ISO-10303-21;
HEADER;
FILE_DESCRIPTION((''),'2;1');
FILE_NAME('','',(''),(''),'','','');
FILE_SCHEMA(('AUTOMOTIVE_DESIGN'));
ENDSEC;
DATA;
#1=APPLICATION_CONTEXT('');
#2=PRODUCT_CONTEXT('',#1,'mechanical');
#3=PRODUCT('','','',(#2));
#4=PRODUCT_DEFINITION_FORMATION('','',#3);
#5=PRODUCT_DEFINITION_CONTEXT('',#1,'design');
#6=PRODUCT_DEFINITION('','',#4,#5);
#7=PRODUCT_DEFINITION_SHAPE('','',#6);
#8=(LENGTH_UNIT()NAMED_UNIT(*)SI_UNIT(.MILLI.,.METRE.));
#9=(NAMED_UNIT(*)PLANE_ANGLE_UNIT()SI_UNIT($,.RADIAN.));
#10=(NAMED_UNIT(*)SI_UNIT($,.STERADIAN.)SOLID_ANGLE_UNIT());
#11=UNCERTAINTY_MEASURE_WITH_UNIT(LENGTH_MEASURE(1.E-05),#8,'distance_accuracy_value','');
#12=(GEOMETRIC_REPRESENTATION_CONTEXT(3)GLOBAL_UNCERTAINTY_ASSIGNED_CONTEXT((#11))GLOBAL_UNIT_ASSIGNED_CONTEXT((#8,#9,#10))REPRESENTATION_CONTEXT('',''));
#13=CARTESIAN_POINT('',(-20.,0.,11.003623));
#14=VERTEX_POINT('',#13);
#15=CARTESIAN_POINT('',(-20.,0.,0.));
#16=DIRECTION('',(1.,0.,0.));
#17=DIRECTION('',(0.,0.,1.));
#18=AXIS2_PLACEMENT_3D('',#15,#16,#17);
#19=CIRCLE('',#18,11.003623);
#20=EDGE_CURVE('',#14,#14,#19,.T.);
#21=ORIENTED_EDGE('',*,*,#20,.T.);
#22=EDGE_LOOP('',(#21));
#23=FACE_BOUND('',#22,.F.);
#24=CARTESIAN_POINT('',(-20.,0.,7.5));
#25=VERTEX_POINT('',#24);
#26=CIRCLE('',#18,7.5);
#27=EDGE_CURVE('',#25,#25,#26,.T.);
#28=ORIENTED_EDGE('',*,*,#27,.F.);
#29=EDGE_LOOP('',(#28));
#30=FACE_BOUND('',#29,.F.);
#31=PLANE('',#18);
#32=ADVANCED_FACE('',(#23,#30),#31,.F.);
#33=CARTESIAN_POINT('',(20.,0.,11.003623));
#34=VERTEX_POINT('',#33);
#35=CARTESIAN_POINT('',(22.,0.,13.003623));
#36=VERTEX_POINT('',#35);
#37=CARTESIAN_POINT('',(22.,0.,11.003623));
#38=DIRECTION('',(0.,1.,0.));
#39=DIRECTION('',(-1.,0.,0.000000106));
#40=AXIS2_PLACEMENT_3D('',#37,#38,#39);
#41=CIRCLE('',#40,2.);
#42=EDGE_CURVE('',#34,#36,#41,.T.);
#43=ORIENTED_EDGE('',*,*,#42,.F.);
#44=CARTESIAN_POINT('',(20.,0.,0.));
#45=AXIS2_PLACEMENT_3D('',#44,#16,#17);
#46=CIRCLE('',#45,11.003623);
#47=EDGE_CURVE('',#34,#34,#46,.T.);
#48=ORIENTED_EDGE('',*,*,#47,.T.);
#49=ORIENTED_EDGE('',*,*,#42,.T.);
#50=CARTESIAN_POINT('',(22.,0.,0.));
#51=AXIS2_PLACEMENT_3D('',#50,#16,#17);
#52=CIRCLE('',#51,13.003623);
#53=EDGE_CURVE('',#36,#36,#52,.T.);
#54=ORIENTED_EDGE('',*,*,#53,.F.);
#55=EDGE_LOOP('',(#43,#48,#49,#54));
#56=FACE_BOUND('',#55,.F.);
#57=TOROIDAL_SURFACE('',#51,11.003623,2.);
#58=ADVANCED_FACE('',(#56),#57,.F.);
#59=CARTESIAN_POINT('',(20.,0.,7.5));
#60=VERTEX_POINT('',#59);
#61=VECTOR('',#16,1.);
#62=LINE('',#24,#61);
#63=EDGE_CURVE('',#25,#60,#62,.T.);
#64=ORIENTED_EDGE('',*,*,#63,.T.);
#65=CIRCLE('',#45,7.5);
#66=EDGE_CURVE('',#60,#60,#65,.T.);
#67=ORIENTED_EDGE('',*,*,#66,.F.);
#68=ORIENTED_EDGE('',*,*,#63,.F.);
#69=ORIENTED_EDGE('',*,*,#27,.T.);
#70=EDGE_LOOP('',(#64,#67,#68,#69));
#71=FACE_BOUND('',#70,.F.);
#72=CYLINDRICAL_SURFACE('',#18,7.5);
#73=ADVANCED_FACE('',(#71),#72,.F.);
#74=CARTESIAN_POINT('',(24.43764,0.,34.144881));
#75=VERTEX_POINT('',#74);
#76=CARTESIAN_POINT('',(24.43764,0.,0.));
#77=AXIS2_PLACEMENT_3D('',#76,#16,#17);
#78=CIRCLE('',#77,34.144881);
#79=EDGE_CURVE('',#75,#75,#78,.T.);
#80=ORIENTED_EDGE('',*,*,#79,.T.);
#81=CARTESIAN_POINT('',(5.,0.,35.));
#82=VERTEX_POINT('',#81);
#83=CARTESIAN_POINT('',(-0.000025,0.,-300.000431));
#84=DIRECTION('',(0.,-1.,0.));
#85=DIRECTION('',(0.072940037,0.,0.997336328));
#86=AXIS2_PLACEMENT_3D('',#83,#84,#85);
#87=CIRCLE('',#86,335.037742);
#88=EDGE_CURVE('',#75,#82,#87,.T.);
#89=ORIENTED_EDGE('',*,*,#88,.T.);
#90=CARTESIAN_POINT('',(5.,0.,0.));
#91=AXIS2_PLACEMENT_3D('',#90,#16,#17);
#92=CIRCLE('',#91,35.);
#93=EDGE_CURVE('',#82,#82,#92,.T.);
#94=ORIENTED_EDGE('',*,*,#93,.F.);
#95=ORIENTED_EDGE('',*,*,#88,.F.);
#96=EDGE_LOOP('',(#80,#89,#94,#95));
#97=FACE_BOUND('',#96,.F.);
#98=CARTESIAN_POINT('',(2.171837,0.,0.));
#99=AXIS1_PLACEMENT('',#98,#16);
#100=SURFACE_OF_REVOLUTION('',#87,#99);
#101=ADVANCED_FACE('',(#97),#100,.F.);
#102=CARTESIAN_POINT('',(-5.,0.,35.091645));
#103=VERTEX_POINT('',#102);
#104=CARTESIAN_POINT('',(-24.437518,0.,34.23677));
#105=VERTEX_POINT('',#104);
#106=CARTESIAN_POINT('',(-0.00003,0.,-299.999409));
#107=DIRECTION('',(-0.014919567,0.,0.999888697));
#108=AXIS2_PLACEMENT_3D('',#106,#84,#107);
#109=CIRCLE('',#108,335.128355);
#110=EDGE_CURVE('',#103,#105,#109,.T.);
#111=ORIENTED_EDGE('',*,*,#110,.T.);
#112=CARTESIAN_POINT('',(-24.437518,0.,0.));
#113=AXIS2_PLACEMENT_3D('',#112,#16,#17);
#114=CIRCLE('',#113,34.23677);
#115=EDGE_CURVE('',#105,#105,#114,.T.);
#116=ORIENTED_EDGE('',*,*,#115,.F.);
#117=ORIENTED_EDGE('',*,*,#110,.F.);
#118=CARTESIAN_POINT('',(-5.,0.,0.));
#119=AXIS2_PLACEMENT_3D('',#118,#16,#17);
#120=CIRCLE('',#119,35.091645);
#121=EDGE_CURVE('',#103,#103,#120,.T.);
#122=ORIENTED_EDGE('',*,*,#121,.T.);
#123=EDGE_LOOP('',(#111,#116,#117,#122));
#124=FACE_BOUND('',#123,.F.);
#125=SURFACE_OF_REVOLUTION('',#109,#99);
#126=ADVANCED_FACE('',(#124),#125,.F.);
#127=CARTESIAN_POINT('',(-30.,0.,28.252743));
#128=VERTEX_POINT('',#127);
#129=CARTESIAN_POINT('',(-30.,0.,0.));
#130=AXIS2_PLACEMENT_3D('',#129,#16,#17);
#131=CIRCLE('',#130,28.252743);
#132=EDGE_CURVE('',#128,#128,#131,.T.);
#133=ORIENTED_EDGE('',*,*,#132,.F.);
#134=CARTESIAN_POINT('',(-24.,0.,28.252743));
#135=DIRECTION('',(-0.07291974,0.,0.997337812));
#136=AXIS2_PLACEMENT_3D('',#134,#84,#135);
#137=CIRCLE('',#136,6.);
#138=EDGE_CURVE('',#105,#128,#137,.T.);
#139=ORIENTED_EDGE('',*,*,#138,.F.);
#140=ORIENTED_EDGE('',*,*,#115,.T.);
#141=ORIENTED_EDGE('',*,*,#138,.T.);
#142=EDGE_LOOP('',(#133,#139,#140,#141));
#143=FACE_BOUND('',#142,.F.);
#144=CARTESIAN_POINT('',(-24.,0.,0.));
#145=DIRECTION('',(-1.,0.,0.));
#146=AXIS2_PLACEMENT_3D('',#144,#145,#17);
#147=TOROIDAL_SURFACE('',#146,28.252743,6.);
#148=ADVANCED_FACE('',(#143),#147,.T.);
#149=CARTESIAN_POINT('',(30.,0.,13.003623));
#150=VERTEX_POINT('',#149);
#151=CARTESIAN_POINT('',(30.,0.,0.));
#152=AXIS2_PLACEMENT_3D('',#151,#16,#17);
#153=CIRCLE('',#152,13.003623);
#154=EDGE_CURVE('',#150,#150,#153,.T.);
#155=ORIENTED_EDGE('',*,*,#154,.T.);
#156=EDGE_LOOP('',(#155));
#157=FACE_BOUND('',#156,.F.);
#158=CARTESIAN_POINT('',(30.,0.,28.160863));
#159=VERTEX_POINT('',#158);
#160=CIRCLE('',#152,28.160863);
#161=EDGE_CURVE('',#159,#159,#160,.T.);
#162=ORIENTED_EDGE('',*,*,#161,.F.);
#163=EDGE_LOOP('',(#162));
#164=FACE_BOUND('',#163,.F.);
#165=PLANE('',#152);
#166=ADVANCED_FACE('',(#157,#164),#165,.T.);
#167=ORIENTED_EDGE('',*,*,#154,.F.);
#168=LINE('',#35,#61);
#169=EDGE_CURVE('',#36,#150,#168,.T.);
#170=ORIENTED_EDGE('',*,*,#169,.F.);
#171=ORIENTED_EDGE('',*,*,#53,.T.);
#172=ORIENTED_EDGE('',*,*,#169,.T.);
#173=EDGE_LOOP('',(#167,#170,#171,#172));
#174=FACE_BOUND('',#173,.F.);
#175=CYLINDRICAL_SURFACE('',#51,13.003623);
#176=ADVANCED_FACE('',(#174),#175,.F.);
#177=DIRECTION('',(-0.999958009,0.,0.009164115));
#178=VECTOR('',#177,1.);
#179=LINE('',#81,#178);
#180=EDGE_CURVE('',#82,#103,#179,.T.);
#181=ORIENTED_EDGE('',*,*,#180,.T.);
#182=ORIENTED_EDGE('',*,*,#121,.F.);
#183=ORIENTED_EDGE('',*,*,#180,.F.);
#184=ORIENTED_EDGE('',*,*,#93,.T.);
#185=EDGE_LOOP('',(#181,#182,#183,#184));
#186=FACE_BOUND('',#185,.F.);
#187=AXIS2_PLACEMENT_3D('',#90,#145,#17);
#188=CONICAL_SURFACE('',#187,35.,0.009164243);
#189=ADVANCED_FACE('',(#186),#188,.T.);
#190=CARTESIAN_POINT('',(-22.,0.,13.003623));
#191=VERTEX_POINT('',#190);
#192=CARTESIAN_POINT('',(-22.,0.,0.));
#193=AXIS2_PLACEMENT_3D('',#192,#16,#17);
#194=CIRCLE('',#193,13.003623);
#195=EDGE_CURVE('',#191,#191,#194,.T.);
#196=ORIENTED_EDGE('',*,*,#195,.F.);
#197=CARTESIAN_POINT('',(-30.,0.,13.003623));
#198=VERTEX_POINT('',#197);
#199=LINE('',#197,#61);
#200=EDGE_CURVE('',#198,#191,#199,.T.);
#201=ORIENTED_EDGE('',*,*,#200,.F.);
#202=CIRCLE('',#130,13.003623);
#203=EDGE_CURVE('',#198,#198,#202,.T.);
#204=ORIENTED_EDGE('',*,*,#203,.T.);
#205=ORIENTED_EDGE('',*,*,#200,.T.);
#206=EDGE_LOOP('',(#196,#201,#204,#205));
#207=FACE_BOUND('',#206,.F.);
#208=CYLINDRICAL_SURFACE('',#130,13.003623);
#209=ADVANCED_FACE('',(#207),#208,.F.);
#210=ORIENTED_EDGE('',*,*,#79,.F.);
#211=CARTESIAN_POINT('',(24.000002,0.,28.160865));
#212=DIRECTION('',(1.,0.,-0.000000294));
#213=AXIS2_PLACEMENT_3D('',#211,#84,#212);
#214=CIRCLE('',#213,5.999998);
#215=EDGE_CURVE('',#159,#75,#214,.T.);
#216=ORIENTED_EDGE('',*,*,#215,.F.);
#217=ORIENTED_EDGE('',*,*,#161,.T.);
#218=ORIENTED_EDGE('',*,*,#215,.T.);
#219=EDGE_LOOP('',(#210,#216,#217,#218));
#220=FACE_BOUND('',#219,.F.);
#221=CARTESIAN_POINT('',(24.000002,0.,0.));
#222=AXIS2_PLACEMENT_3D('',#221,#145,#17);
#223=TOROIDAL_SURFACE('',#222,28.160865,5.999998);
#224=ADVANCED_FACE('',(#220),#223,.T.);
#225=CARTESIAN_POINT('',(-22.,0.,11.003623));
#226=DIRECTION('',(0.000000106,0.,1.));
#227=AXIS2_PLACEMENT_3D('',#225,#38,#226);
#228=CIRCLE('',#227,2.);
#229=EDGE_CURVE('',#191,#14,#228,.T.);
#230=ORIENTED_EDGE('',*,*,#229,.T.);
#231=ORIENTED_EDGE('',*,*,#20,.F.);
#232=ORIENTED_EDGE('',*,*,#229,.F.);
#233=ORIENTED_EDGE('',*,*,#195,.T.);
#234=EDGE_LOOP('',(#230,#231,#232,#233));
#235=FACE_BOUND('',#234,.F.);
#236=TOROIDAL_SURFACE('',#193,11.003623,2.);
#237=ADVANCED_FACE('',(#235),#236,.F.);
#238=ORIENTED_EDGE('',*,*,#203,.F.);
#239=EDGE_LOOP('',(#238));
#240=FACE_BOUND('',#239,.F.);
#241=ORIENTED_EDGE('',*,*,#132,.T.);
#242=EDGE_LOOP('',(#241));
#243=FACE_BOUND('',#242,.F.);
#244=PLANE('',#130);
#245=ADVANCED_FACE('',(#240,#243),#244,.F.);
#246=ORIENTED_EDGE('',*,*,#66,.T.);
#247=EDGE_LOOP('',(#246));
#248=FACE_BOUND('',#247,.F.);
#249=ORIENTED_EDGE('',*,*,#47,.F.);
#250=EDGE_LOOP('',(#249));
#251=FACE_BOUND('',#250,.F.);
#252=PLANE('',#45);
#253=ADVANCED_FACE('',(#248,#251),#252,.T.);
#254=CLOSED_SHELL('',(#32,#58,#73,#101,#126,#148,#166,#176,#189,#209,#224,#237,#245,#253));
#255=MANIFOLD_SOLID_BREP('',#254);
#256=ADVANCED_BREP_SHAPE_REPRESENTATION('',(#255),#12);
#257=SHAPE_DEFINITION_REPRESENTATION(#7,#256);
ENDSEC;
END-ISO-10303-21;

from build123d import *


with BuildPart() as f1:
    # F0 (on Front) → F1 (revolve)
    with BuildSketch(Plane.XZ):
        with BuildLine():
            Line((5, 35), (-5, 35.091645))
            ThreePointArc((-5, 35.091645), (-14.724964, 34.805296), (-24.437518, 34.23677))
            ThreePointArc((-24.437518, 34.23677), (-28.394605, 32.33777), (-30, 28.252743))
            Line((-30, 28.252743), (-30, 13.003623))
            Line((-30, 13.003623), (-22, 13.003623))
            ThreePointArc((-22, 13.003623), (-20.585786, 12.417836), (-20, 11.003623))
            Line((-20, 11.003623), (-20, 7.5))
            Line((-20, 7.5), (20, 7.5))
            Line((20, 7.5), (20, 11.003623))
            ThreePointArc((20, 11.003623), (20.585786, 12.417836), (22, 13.003623))
            Line((22, 13.003623), (30, 13.003623))
            Line((30, 13.003623), (30, 28.160863))
            ThreePointArc((30, 28.160863), (28.394647, 32.245846), (24.43764, 34.144881))
            ThreePointArc((24.43764, 34.144881), (14.725029, 34.713569), (5, 35))
        make_face()
    revolve(axis=Axis((2.171837, 0, 0), (1, 0, 0)))


solid = f1.part
